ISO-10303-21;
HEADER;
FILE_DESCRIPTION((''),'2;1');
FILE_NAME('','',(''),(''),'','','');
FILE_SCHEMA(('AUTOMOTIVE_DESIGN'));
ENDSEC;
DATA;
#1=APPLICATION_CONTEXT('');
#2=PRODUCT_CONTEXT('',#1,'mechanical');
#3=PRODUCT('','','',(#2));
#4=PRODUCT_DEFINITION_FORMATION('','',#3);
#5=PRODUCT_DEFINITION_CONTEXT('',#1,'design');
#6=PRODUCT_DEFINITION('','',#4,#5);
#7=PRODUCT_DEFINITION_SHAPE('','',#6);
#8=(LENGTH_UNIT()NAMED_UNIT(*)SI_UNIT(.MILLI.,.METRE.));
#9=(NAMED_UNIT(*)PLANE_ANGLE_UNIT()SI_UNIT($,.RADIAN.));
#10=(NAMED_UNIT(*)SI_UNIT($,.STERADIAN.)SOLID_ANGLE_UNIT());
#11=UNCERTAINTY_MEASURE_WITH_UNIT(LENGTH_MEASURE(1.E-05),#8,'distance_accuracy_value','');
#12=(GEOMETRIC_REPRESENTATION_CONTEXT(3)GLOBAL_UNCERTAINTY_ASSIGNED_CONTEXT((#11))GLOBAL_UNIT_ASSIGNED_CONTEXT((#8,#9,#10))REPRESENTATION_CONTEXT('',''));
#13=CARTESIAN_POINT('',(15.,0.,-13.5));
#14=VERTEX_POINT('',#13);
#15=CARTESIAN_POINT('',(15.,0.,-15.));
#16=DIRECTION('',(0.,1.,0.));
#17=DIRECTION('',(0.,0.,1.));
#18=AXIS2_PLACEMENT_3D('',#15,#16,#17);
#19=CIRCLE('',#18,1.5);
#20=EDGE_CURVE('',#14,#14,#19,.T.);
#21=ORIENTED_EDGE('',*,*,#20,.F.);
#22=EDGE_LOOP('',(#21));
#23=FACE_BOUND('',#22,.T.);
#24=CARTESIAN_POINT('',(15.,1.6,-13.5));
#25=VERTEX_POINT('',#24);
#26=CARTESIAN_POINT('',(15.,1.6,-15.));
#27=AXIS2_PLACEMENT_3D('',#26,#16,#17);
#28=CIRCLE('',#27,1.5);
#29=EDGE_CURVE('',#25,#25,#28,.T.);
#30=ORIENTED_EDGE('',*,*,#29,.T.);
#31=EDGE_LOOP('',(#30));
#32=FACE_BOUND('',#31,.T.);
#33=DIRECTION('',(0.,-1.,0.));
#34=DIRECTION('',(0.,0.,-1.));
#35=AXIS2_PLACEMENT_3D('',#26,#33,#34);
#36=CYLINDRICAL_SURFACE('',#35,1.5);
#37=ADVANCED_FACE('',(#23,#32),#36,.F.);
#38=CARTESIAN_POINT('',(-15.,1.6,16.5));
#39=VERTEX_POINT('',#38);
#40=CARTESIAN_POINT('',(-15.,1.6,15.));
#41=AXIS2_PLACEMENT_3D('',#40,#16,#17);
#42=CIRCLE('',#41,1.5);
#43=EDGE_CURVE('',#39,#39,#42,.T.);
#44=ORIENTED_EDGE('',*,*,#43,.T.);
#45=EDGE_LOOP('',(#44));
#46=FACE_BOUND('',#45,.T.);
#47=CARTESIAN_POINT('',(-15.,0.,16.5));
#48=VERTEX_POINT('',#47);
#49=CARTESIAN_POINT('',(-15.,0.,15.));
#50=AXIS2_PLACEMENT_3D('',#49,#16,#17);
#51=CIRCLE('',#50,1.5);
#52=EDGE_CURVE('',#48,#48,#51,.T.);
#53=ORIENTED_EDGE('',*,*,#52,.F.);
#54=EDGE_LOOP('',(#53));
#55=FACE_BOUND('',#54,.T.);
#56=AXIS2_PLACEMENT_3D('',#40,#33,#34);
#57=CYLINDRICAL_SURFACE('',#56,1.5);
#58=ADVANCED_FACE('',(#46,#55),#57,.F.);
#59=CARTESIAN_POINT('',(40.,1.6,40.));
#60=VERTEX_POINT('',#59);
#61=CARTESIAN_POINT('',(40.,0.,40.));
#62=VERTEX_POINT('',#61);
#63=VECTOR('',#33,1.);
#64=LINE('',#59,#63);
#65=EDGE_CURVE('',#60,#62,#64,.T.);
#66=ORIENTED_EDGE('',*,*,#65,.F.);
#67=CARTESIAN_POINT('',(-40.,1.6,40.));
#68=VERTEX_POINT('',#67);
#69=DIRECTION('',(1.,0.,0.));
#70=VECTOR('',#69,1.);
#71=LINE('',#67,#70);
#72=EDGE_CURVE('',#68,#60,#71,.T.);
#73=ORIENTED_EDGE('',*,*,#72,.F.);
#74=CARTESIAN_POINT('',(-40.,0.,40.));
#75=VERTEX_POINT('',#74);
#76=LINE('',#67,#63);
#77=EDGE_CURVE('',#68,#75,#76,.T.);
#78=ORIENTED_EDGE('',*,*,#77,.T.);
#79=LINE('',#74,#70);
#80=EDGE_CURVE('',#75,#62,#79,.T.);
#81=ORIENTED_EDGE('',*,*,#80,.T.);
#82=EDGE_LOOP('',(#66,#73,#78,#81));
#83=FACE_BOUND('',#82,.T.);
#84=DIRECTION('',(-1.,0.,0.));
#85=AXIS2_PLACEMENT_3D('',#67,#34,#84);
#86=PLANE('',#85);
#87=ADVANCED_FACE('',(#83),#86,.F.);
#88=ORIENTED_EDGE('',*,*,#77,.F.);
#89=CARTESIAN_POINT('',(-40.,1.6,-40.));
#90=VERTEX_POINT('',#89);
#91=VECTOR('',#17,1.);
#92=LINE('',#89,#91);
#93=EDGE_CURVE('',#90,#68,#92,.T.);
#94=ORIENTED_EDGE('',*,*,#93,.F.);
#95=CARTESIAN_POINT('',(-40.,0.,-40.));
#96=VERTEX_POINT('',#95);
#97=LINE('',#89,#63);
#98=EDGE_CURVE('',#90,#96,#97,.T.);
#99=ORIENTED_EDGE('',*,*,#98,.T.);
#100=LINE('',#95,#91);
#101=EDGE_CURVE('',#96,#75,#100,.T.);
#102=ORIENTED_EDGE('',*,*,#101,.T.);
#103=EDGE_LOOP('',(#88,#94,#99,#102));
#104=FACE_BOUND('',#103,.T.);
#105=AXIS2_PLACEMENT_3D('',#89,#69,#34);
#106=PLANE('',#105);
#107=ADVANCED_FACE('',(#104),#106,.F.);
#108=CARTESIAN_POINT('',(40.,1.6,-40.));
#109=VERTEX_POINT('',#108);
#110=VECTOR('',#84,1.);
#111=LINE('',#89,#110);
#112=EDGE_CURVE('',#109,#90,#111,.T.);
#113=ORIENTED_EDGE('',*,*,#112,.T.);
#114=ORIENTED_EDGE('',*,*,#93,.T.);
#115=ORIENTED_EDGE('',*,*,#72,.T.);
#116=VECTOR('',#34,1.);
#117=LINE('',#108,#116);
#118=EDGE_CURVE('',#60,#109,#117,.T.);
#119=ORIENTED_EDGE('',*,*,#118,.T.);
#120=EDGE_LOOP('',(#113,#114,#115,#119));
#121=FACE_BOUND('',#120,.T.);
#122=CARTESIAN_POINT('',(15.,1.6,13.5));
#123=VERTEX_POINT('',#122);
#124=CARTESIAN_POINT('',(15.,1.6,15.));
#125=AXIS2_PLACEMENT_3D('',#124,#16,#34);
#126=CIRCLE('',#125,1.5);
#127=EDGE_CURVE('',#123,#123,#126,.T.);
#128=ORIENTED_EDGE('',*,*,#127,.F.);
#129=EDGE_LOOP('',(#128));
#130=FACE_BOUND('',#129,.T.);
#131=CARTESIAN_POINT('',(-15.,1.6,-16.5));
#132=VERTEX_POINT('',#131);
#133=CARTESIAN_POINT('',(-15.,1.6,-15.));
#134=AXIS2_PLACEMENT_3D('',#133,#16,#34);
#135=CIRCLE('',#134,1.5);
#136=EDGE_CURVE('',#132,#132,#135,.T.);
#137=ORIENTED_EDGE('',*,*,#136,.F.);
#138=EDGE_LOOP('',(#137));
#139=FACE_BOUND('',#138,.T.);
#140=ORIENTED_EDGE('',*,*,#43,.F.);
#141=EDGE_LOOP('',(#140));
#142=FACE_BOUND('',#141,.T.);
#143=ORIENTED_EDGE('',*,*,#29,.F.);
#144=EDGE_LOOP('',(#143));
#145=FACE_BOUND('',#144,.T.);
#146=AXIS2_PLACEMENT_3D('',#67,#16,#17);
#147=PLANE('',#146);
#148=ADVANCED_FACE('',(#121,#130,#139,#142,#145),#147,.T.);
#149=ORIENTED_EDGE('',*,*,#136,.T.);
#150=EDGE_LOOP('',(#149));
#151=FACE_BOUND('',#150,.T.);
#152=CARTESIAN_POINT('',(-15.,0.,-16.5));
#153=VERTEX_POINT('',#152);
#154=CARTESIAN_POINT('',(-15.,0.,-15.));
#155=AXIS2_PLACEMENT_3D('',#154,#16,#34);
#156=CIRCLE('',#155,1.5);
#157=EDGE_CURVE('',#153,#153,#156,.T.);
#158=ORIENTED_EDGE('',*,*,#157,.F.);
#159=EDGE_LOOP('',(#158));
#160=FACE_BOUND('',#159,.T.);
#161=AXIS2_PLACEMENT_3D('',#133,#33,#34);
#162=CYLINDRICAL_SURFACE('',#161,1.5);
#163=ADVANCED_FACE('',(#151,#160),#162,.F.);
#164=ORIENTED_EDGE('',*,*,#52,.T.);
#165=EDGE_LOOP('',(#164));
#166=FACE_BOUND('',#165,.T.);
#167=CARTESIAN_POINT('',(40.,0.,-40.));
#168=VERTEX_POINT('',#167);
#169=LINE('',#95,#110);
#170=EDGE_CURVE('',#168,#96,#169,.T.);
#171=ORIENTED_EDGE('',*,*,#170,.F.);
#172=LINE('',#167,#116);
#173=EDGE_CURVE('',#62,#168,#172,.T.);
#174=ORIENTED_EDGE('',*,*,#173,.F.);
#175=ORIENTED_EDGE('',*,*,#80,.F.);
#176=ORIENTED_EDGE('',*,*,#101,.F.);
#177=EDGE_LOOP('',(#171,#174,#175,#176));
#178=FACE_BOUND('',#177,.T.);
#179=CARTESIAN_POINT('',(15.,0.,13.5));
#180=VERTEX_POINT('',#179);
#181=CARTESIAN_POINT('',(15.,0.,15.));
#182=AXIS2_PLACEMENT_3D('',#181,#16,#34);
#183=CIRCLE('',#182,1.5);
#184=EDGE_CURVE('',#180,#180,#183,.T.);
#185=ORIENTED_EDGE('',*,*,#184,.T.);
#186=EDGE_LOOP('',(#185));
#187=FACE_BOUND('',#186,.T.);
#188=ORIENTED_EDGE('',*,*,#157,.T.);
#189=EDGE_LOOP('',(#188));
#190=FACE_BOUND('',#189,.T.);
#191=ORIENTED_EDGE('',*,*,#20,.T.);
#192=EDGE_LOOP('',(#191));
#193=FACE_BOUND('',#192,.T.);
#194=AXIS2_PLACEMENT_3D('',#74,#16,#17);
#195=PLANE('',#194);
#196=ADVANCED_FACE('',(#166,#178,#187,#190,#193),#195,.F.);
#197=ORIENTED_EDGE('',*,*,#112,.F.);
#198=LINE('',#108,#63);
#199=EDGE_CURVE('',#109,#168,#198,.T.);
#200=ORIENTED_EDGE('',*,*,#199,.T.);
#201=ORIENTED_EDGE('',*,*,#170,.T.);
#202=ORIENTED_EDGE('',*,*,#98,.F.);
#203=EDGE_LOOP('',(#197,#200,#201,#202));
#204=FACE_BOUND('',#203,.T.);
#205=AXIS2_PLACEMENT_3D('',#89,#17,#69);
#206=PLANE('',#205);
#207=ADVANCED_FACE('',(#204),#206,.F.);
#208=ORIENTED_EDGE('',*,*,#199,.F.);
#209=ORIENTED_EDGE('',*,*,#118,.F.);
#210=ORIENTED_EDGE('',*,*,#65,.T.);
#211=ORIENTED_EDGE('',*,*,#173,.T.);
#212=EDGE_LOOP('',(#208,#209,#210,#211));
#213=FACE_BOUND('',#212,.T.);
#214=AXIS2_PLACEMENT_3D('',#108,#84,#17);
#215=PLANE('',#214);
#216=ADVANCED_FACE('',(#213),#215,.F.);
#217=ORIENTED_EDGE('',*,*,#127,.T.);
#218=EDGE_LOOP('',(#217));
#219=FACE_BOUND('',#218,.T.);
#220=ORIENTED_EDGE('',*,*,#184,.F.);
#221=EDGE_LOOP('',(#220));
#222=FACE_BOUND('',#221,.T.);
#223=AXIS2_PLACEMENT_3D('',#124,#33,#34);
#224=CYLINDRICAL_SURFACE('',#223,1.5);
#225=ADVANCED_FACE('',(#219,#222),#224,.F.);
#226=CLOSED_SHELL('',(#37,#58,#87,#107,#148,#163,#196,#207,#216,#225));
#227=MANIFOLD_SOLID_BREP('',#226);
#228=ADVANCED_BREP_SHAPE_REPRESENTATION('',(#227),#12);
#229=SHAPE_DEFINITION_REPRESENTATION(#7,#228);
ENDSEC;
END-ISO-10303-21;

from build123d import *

# Parameters (mm, degrees)
ESQUISSE1_W      = 80
ESQUISSE1_H      = 80
ESQUISSE1_R      = 1.5
EXTRUSION1_DEPTH = 1.6


with BuildPart() as part:
    # Esquisse1 → Extrusion1 (new body)
    with BuildSketch(Plane(origin=(0, 0, 0), x_dir=(1, 0, 0), z_dir=(0, 1, 0))):
        Rectangle(ESQUISSE1_W, ESQUISSE1_H)
        with Locations(Location((15, 15, 0), (0, 0, 270))):
            Circle(ESQUISSE1_R, mode=Mode.SUBTRACT)
        with Locations(Location((-15, 15, 0), (0, 0, 90))):
            Circle(ESQUISSE1_R, mode=Mode.SUBTRACT)
        with Locations(Location((15, -15, 0), (0, 0, 90))):
            Circle(ESQUISSE1_R, mode=Mode.SUBTRACT)
        with Locations(Location((-15, -15, 0), (0, 0, 270))):
            Circle(ESQUISSE1_R, mode=Mode.SUBTRACT)
    extrude(amount=EXTRUSION1_DEPTH)


solid = part.part
